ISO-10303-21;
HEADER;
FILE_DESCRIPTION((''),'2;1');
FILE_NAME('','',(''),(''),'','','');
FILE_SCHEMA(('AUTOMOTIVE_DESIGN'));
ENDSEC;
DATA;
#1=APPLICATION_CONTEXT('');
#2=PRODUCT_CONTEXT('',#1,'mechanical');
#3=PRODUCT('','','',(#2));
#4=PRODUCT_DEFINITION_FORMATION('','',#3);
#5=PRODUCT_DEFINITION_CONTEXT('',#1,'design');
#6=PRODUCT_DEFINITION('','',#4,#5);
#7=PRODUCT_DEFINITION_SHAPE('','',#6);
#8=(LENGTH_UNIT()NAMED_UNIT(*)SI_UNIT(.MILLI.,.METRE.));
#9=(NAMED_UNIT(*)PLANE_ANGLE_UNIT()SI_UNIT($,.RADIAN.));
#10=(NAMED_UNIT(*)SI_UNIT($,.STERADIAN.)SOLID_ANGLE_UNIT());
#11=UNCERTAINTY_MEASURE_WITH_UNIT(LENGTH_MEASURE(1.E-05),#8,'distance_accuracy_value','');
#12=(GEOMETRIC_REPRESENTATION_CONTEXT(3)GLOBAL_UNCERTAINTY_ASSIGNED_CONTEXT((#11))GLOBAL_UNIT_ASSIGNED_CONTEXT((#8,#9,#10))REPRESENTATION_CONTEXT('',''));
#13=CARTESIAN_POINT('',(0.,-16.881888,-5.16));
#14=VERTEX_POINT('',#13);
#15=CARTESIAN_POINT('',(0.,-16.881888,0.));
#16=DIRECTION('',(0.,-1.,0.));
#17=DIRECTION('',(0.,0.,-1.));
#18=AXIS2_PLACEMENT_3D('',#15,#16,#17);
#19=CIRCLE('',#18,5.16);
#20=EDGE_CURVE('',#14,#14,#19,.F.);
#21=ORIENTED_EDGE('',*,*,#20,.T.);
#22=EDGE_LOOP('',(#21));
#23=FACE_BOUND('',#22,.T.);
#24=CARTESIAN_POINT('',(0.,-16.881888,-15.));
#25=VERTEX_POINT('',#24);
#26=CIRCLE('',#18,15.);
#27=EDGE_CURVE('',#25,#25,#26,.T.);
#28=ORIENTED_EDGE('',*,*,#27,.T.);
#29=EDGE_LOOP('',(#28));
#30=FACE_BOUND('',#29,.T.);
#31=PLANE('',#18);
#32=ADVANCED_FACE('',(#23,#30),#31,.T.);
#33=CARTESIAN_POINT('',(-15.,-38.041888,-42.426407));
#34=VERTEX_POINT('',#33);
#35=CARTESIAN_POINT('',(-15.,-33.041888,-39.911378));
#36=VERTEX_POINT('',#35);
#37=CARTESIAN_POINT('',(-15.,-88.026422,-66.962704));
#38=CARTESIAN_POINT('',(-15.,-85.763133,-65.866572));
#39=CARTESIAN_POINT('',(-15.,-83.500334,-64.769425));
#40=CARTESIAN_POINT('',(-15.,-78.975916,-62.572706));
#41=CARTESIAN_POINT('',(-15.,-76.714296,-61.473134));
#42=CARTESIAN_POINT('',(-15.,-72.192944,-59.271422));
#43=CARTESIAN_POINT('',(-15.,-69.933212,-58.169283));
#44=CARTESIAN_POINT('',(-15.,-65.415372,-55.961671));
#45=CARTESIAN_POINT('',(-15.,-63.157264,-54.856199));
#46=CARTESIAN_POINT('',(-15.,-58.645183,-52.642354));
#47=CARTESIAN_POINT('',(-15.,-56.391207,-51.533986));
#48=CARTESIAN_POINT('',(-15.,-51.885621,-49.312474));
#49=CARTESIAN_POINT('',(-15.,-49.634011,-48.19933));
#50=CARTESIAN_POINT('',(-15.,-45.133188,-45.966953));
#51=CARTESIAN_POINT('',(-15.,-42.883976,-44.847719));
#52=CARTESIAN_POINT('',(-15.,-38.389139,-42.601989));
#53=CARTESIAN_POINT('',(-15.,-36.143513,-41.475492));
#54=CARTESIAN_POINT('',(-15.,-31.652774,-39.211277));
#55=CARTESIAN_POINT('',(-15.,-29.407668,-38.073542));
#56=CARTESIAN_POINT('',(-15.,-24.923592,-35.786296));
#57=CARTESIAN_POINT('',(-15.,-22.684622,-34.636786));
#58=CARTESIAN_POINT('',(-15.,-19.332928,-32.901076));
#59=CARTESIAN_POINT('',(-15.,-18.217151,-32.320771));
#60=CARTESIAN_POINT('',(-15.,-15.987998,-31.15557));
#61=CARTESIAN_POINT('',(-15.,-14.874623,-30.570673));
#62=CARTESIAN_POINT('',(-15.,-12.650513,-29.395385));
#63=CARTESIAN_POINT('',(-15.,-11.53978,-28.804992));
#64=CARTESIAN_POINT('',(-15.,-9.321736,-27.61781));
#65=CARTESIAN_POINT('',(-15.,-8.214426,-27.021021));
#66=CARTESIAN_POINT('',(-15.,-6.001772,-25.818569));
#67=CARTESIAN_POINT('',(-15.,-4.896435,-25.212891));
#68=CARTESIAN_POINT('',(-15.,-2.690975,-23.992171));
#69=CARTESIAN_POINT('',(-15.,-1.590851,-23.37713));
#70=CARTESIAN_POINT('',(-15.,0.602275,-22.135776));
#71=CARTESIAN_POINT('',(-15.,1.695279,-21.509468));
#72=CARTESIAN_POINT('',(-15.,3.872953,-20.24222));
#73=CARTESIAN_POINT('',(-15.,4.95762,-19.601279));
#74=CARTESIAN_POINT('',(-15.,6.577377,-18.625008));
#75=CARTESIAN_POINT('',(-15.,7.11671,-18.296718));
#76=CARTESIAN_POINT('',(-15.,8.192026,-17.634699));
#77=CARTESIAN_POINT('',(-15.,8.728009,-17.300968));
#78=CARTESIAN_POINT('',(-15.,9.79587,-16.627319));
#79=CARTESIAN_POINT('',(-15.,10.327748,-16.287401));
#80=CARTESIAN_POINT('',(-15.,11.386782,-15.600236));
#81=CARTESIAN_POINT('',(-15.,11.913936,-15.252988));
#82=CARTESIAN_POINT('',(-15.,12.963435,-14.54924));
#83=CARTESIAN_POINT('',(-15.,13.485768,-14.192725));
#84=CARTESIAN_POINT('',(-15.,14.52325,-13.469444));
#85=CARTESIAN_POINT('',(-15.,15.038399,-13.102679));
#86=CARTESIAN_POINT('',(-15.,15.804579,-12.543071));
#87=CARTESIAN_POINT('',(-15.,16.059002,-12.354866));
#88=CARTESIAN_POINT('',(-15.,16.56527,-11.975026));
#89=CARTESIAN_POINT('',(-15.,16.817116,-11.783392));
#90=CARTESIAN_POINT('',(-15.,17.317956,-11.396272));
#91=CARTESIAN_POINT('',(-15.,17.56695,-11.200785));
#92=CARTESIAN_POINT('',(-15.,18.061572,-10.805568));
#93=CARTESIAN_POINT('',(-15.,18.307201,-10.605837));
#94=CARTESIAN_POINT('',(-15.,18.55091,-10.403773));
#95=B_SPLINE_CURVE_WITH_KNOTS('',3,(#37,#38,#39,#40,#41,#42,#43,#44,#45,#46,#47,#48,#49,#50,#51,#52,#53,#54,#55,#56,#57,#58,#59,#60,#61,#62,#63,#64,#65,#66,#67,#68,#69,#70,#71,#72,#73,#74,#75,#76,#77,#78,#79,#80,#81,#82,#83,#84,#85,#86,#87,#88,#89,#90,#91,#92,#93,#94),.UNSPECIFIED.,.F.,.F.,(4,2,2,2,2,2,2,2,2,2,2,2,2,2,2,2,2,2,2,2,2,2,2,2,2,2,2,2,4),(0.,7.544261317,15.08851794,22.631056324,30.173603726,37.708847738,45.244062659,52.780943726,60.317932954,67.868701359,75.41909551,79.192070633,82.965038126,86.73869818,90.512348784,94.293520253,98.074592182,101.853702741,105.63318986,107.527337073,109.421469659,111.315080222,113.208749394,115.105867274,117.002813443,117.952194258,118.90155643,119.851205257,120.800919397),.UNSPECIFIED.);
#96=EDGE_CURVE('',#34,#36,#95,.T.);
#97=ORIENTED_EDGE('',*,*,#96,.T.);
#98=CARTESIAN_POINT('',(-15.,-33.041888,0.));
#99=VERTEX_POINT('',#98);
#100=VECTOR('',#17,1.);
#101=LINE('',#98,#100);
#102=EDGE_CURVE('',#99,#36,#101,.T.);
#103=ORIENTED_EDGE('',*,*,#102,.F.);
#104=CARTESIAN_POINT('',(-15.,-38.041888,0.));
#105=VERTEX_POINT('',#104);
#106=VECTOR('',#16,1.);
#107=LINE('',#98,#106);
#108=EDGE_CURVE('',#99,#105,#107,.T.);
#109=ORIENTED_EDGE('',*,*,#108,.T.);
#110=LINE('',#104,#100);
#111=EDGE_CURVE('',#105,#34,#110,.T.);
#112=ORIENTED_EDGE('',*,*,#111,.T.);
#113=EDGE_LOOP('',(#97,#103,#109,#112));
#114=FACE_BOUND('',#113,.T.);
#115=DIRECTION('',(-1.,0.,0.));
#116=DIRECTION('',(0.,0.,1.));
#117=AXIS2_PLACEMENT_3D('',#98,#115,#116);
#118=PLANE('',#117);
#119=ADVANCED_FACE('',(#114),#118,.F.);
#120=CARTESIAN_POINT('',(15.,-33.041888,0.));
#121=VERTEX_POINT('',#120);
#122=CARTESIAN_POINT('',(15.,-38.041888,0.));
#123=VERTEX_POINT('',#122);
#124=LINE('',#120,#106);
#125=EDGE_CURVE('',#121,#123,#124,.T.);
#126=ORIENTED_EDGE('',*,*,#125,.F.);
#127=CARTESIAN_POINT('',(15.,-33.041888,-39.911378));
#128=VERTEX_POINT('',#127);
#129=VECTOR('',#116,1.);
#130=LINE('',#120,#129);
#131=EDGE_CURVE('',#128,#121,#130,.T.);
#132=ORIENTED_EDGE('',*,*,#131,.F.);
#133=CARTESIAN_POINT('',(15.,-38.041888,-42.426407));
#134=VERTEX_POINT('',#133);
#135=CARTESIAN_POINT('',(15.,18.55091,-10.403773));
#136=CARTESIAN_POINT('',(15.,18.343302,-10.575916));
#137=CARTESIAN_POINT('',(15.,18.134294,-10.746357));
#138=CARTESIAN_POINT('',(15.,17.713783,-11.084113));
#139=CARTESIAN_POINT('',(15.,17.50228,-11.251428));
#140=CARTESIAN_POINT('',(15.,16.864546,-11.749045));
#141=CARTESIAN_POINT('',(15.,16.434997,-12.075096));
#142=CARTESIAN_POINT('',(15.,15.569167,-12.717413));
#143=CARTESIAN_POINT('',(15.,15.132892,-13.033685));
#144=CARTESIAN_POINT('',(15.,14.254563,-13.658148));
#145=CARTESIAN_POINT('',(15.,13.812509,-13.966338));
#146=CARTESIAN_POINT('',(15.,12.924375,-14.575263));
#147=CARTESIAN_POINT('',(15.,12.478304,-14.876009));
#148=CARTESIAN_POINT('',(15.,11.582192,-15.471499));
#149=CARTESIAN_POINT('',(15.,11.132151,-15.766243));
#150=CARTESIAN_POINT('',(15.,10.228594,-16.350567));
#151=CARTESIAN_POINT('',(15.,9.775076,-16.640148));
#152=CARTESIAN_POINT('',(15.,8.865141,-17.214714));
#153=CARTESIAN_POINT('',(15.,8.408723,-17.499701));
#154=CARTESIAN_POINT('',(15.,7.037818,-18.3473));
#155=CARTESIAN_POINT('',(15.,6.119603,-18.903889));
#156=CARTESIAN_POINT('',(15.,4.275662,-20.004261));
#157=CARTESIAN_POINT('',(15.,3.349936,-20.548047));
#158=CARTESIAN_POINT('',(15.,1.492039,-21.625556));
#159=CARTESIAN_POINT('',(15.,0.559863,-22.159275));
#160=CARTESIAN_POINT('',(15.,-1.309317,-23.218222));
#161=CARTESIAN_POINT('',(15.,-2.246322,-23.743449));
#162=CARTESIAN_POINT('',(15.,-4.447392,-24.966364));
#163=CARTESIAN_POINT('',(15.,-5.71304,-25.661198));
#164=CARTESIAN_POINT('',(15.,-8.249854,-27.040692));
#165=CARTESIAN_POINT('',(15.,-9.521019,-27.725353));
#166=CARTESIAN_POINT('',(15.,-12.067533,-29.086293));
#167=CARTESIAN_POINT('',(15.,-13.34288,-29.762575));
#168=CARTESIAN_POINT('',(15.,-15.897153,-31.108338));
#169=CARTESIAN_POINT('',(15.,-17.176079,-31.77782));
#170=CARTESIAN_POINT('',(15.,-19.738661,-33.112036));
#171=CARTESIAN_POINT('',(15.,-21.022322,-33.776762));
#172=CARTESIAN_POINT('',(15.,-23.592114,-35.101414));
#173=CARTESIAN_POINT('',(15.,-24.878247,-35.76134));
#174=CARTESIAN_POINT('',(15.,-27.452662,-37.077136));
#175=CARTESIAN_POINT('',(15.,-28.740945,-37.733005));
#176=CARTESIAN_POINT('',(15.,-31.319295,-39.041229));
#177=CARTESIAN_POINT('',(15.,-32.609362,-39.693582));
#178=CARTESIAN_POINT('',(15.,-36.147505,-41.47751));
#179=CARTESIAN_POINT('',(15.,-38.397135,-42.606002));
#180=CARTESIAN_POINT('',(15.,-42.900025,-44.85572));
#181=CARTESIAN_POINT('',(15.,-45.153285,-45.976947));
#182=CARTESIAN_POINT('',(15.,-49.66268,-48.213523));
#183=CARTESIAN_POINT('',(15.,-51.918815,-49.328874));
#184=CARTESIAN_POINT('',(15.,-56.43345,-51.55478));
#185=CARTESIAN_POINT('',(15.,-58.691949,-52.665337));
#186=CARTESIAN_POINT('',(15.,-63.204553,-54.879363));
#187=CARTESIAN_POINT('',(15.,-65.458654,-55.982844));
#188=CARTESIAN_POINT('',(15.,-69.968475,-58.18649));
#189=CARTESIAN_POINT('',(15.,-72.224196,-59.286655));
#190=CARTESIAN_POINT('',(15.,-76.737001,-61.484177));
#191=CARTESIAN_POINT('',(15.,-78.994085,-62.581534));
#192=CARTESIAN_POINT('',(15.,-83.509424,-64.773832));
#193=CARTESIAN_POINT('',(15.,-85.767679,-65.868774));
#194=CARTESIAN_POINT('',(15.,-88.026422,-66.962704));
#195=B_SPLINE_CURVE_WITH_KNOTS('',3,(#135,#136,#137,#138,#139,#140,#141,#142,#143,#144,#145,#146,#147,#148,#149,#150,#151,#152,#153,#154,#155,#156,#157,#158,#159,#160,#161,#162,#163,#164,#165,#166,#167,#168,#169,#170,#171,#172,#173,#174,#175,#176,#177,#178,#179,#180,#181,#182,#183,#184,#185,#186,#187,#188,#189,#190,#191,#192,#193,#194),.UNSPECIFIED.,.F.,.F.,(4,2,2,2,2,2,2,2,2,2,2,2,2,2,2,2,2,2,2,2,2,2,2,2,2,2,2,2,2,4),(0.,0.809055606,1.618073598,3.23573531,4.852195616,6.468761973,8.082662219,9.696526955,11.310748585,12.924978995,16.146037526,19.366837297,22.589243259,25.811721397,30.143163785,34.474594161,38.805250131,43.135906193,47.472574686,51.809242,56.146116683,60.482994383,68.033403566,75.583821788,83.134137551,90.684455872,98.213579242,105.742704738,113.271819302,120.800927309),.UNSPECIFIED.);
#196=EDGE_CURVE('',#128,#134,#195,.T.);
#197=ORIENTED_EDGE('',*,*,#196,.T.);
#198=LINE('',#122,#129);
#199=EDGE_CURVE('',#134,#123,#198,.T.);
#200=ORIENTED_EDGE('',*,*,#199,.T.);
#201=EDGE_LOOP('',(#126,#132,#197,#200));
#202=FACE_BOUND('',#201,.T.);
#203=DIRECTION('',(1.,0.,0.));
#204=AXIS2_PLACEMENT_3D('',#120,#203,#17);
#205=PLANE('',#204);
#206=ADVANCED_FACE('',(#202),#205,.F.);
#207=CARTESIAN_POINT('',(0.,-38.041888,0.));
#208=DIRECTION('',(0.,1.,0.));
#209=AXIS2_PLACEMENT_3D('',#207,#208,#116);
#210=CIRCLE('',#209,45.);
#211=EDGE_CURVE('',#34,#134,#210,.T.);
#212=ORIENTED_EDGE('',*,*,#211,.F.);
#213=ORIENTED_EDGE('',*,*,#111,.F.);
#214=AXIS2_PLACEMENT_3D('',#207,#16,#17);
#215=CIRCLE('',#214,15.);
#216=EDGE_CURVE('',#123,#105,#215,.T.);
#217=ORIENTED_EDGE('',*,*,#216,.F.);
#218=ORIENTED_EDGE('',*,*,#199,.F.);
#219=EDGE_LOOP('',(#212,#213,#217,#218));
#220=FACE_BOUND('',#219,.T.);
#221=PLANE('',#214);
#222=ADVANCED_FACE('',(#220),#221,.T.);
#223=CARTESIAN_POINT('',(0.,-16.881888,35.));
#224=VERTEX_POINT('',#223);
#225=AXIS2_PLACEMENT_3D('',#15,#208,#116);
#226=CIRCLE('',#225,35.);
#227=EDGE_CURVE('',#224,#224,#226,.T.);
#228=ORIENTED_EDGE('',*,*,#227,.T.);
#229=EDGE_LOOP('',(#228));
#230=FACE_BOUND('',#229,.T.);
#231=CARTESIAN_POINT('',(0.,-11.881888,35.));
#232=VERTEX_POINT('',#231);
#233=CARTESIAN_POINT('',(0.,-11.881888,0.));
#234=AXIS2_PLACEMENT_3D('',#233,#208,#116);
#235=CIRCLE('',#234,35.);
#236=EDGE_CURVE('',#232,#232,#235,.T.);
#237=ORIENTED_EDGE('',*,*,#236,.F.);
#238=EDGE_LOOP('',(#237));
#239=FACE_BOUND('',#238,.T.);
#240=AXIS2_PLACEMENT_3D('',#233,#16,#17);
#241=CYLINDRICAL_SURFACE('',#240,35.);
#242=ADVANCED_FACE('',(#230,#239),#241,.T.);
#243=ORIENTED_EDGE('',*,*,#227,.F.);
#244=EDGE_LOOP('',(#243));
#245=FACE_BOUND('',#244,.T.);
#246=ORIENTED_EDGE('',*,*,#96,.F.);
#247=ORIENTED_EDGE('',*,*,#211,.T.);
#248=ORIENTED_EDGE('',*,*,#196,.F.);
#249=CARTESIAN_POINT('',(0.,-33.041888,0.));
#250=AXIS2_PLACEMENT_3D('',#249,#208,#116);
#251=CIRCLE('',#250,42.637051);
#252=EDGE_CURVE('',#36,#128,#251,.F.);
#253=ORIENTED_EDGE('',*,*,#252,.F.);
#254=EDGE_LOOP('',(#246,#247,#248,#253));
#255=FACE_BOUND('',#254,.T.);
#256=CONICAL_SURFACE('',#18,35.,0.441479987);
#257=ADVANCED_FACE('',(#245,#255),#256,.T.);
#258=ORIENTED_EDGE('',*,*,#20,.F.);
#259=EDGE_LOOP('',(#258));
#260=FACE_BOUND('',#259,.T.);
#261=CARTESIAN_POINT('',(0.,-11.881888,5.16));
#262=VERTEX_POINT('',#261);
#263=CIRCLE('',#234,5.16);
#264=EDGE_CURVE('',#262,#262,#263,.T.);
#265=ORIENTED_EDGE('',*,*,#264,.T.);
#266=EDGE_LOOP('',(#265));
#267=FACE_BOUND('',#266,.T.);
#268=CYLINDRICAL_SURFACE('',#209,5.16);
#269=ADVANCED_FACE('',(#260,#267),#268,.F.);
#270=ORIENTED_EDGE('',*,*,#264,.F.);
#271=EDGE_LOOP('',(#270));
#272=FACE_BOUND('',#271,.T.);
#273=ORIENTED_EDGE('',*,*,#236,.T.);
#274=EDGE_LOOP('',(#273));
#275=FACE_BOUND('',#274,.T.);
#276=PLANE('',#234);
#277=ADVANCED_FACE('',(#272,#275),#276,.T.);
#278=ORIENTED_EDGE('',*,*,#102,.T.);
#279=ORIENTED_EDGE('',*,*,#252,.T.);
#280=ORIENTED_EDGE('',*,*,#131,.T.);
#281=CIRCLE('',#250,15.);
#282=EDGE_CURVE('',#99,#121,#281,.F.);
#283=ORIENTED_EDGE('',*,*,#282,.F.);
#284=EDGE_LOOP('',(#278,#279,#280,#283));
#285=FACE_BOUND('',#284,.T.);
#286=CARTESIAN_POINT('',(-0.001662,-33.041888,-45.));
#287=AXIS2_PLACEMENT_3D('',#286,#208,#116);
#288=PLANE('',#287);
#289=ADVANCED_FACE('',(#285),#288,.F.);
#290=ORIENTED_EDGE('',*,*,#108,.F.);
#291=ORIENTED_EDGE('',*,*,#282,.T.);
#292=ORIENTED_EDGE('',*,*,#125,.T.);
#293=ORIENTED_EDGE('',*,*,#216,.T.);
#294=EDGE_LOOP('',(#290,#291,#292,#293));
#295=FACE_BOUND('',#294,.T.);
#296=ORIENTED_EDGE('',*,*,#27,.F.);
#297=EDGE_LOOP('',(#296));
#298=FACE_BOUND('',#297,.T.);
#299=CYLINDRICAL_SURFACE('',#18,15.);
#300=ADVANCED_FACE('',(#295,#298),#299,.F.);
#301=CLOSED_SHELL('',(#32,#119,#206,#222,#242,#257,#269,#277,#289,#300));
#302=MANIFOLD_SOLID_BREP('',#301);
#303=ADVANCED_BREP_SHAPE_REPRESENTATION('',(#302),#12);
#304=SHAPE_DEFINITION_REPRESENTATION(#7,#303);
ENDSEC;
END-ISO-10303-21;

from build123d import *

# Parameters (mm, degrees)
CROQUIS3_R              = 35
SALIENTE_EXTRUIR1_DEPTH = 5
CROQUIS4_R              = 5.16
CORTAR_EXTRUIR1_DEPTH   = 69.806581081
CROQUIS5_R              = 15
CORTAR_EXTRUIR2_DEPTH   = 21.16
CORTAR_EXTRUIR4_DEPTH   = 5


with BuildPart() as part:
    # Croquis2 → Revolución1 (revolve)
    with BuildSketch(Plane.XY, mode=Mode.PRIVATE) as revoluci_n1_sk:
        Polygon((0, -38.041888008), (-45, -38.041888008), (-35, -16.881888008), (0, -16.881888008), align=None)
    revolve(revoluci_n1_sk.sketch.rotate(Axis((0, 0, 0), (0, -1, 0)), 270), axis=Axis((0, 0, 0), (0, -1, 0)))

    # Croquis3 → Saliente-Extruir1 (add)
    with BuildSketch(Plane(origin=(0, -16.881888008, 0), x_dir=(1, 0, 0), z_dir=(0, 1, 0))):
        with Locations(Location((0, 0, 0), (0, 0, 270))):
            Circle(CROQUIS3_R)
    extrude(amount=SALIENTE_EXTRUIR1_DEPTH)

    # Croquis4 → Cortar-Extruir1 (cut, through all)
    with BuildSketch(Plane(origin=(0, -11.881888008, 0), x_dir=(1, 0, 0), z_dir=(0, 1, 0))):
        with Locations(Location((0, 0, 0), (0, 0, 270))):
            Circle(CROQUIS4_R)
    extrude(amount=-CORTAR_EXTRUIR1_DEPTH, mode=Mode.SUBTRACT)

    # Croquis5 → Cortar-Extruir2 (cut)
    with BuildSketch(Plane.XZ.offset(38.041888008)):
        with Locations(Location((0, 0, 0), (0, 0, 270))):
            Circle(CROQUIS5_R)
    extrude(amount=-CORTAR_EXTRUIR2_DEPTH, mode=Mode.SUBTRACT)

    # Croquis6 → Cortar-Extruir4 (cut)
    with BuildSketch(Plane.XZ.offset(38.041888008)):
        with BuildLine():
            Line((15, 0), (-15, 0))
            Line((-15, 0), (-15, -42.426406871))
            add(Edge.make_bspline(
                [(-15, -42.426406871), (-10.19808837, -44.127599643), (-0.005080405, -45.873007121), (10.203817441, -44.12638642), (15, -42.426406871)],
                knots=[0, 0, 0, 0, 0.500054305, 1, 1, 1, 1], degree=3))
            Line((15, -42.426406871), (15, 0))
        make_face()
    extrude(amount=-CORTAR_EXTRUIR4_DEPTH, mode=Mode.SUBTRACT)


with BuildPart() as cortar_extruir4_kept_piece:
    # of the separate pieces the step leaves, the one the design keeps (cortar_extruir4_pieces_kept)
    add(part.part.solids().sort_by_distance((0, -38.041888008, 45))[0])


solid = cortar_extruir4_kept_piece.part
